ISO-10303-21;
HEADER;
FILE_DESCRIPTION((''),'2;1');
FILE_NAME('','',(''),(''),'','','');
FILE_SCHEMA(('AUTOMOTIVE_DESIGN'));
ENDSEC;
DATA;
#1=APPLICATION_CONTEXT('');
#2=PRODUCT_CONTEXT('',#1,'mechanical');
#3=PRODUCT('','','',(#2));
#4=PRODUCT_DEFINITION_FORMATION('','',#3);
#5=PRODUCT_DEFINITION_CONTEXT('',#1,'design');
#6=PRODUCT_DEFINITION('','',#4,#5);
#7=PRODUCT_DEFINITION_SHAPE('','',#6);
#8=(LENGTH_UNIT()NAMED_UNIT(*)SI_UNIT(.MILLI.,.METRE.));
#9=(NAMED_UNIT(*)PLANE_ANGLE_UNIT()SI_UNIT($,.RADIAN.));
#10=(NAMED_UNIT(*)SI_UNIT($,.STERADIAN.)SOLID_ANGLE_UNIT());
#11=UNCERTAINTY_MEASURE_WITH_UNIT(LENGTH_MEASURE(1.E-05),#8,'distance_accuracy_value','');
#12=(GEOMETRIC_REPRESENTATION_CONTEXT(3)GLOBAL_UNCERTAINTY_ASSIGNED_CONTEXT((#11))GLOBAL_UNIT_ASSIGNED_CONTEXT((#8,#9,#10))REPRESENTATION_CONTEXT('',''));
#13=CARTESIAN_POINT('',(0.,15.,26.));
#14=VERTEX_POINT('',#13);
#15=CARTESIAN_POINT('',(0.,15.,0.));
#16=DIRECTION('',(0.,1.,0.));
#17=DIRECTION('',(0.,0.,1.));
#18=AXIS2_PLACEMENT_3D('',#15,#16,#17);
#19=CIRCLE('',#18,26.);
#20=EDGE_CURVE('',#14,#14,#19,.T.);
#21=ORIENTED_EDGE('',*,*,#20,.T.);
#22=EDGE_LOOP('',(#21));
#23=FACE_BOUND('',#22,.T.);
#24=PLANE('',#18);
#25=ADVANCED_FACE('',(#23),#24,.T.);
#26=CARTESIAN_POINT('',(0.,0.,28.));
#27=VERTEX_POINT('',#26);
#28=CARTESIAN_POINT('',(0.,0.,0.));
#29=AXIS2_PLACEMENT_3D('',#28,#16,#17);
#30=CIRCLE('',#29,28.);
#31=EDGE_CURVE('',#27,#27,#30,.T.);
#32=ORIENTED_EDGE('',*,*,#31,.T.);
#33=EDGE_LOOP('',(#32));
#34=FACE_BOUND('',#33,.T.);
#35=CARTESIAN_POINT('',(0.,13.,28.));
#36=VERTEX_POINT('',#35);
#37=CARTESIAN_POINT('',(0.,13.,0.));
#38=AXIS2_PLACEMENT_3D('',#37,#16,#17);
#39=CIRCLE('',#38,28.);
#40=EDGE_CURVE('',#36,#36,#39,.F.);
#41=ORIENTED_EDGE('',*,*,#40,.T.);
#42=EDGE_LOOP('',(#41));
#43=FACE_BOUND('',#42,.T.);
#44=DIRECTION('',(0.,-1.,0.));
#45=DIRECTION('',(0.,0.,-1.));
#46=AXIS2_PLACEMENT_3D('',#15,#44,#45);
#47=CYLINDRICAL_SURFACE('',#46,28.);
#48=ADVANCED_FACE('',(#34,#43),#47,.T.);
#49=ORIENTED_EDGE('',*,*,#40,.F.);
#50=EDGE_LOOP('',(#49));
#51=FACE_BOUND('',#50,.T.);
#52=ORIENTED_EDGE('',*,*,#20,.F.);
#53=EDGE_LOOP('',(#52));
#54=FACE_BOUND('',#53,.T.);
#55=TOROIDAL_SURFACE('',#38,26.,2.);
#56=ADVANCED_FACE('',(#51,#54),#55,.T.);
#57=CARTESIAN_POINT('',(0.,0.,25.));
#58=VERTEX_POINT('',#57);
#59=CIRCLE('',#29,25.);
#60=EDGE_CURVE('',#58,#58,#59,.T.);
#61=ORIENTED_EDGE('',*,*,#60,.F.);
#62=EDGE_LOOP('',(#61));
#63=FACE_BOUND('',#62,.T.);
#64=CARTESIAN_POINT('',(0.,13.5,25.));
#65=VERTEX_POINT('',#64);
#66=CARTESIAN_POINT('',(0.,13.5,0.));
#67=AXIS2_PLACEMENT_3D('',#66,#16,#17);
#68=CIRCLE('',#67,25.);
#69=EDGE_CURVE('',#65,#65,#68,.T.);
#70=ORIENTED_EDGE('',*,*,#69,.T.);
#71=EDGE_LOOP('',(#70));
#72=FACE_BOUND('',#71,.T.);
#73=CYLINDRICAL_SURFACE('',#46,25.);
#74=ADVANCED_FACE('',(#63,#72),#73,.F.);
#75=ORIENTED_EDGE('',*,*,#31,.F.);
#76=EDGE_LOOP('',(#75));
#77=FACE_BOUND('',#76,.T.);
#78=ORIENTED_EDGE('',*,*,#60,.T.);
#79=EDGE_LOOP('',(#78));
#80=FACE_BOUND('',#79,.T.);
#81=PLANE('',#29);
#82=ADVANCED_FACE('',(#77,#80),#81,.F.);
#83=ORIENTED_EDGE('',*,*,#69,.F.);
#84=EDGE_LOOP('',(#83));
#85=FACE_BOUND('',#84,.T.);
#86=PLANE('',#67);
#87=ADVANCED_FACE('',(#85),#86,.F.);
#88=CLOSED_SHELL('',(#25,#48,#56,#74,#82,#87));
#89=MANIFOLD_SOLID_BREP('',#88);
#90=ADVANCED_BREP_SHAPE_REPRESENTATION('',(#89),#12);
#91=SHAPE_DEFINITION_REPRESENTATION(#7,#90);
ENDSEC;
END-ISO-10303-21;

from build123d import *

# Parameters (mm, degrees)
SKETCH1_R           = 28
SKETCH1_R_2         = 25
BOSS_EXTRUDE1_DEPTH = 15
SKETCH2_R           = 25.289752038
BOSS_EXTRUDE2_DEPTH = 1.5
FILLET1_R           = 2


with BuildPart() as part:
    # Sketch1 → Boss-Extrude1 (new body)
    with BuildSketch(Plane(origin=(0, 0, 0), x_dir=(1, 0, 0), z_dir=(0, 1, 0))):
        Circle(SKETCH1_R)
        Circle(SKETCH1_R_2, mode=Mode.SUBTRACT)
    extrude(amount=BOSS_EXTRUDE1_DEPTH)

    # Sketch2 → Boss-Extrude2 (add)
    with BuildSketch(Plane(origin=(0, 15, 0), x_dir=(1, 0, 0), z_dir=(0, 1, 0))):
        Circle(SKETCH2_R)
    extrude(amount=-BOSS_EXTRUDE2_DEPTH)

    # Fillet1
    fillet1_edges = [part.edges().sort_by_distance(p)[0] for p in [
        (-28, 15, 0),
    ]]
    fillet(fillet1_edges, radius=FILLET1_R)


solid = part.part
